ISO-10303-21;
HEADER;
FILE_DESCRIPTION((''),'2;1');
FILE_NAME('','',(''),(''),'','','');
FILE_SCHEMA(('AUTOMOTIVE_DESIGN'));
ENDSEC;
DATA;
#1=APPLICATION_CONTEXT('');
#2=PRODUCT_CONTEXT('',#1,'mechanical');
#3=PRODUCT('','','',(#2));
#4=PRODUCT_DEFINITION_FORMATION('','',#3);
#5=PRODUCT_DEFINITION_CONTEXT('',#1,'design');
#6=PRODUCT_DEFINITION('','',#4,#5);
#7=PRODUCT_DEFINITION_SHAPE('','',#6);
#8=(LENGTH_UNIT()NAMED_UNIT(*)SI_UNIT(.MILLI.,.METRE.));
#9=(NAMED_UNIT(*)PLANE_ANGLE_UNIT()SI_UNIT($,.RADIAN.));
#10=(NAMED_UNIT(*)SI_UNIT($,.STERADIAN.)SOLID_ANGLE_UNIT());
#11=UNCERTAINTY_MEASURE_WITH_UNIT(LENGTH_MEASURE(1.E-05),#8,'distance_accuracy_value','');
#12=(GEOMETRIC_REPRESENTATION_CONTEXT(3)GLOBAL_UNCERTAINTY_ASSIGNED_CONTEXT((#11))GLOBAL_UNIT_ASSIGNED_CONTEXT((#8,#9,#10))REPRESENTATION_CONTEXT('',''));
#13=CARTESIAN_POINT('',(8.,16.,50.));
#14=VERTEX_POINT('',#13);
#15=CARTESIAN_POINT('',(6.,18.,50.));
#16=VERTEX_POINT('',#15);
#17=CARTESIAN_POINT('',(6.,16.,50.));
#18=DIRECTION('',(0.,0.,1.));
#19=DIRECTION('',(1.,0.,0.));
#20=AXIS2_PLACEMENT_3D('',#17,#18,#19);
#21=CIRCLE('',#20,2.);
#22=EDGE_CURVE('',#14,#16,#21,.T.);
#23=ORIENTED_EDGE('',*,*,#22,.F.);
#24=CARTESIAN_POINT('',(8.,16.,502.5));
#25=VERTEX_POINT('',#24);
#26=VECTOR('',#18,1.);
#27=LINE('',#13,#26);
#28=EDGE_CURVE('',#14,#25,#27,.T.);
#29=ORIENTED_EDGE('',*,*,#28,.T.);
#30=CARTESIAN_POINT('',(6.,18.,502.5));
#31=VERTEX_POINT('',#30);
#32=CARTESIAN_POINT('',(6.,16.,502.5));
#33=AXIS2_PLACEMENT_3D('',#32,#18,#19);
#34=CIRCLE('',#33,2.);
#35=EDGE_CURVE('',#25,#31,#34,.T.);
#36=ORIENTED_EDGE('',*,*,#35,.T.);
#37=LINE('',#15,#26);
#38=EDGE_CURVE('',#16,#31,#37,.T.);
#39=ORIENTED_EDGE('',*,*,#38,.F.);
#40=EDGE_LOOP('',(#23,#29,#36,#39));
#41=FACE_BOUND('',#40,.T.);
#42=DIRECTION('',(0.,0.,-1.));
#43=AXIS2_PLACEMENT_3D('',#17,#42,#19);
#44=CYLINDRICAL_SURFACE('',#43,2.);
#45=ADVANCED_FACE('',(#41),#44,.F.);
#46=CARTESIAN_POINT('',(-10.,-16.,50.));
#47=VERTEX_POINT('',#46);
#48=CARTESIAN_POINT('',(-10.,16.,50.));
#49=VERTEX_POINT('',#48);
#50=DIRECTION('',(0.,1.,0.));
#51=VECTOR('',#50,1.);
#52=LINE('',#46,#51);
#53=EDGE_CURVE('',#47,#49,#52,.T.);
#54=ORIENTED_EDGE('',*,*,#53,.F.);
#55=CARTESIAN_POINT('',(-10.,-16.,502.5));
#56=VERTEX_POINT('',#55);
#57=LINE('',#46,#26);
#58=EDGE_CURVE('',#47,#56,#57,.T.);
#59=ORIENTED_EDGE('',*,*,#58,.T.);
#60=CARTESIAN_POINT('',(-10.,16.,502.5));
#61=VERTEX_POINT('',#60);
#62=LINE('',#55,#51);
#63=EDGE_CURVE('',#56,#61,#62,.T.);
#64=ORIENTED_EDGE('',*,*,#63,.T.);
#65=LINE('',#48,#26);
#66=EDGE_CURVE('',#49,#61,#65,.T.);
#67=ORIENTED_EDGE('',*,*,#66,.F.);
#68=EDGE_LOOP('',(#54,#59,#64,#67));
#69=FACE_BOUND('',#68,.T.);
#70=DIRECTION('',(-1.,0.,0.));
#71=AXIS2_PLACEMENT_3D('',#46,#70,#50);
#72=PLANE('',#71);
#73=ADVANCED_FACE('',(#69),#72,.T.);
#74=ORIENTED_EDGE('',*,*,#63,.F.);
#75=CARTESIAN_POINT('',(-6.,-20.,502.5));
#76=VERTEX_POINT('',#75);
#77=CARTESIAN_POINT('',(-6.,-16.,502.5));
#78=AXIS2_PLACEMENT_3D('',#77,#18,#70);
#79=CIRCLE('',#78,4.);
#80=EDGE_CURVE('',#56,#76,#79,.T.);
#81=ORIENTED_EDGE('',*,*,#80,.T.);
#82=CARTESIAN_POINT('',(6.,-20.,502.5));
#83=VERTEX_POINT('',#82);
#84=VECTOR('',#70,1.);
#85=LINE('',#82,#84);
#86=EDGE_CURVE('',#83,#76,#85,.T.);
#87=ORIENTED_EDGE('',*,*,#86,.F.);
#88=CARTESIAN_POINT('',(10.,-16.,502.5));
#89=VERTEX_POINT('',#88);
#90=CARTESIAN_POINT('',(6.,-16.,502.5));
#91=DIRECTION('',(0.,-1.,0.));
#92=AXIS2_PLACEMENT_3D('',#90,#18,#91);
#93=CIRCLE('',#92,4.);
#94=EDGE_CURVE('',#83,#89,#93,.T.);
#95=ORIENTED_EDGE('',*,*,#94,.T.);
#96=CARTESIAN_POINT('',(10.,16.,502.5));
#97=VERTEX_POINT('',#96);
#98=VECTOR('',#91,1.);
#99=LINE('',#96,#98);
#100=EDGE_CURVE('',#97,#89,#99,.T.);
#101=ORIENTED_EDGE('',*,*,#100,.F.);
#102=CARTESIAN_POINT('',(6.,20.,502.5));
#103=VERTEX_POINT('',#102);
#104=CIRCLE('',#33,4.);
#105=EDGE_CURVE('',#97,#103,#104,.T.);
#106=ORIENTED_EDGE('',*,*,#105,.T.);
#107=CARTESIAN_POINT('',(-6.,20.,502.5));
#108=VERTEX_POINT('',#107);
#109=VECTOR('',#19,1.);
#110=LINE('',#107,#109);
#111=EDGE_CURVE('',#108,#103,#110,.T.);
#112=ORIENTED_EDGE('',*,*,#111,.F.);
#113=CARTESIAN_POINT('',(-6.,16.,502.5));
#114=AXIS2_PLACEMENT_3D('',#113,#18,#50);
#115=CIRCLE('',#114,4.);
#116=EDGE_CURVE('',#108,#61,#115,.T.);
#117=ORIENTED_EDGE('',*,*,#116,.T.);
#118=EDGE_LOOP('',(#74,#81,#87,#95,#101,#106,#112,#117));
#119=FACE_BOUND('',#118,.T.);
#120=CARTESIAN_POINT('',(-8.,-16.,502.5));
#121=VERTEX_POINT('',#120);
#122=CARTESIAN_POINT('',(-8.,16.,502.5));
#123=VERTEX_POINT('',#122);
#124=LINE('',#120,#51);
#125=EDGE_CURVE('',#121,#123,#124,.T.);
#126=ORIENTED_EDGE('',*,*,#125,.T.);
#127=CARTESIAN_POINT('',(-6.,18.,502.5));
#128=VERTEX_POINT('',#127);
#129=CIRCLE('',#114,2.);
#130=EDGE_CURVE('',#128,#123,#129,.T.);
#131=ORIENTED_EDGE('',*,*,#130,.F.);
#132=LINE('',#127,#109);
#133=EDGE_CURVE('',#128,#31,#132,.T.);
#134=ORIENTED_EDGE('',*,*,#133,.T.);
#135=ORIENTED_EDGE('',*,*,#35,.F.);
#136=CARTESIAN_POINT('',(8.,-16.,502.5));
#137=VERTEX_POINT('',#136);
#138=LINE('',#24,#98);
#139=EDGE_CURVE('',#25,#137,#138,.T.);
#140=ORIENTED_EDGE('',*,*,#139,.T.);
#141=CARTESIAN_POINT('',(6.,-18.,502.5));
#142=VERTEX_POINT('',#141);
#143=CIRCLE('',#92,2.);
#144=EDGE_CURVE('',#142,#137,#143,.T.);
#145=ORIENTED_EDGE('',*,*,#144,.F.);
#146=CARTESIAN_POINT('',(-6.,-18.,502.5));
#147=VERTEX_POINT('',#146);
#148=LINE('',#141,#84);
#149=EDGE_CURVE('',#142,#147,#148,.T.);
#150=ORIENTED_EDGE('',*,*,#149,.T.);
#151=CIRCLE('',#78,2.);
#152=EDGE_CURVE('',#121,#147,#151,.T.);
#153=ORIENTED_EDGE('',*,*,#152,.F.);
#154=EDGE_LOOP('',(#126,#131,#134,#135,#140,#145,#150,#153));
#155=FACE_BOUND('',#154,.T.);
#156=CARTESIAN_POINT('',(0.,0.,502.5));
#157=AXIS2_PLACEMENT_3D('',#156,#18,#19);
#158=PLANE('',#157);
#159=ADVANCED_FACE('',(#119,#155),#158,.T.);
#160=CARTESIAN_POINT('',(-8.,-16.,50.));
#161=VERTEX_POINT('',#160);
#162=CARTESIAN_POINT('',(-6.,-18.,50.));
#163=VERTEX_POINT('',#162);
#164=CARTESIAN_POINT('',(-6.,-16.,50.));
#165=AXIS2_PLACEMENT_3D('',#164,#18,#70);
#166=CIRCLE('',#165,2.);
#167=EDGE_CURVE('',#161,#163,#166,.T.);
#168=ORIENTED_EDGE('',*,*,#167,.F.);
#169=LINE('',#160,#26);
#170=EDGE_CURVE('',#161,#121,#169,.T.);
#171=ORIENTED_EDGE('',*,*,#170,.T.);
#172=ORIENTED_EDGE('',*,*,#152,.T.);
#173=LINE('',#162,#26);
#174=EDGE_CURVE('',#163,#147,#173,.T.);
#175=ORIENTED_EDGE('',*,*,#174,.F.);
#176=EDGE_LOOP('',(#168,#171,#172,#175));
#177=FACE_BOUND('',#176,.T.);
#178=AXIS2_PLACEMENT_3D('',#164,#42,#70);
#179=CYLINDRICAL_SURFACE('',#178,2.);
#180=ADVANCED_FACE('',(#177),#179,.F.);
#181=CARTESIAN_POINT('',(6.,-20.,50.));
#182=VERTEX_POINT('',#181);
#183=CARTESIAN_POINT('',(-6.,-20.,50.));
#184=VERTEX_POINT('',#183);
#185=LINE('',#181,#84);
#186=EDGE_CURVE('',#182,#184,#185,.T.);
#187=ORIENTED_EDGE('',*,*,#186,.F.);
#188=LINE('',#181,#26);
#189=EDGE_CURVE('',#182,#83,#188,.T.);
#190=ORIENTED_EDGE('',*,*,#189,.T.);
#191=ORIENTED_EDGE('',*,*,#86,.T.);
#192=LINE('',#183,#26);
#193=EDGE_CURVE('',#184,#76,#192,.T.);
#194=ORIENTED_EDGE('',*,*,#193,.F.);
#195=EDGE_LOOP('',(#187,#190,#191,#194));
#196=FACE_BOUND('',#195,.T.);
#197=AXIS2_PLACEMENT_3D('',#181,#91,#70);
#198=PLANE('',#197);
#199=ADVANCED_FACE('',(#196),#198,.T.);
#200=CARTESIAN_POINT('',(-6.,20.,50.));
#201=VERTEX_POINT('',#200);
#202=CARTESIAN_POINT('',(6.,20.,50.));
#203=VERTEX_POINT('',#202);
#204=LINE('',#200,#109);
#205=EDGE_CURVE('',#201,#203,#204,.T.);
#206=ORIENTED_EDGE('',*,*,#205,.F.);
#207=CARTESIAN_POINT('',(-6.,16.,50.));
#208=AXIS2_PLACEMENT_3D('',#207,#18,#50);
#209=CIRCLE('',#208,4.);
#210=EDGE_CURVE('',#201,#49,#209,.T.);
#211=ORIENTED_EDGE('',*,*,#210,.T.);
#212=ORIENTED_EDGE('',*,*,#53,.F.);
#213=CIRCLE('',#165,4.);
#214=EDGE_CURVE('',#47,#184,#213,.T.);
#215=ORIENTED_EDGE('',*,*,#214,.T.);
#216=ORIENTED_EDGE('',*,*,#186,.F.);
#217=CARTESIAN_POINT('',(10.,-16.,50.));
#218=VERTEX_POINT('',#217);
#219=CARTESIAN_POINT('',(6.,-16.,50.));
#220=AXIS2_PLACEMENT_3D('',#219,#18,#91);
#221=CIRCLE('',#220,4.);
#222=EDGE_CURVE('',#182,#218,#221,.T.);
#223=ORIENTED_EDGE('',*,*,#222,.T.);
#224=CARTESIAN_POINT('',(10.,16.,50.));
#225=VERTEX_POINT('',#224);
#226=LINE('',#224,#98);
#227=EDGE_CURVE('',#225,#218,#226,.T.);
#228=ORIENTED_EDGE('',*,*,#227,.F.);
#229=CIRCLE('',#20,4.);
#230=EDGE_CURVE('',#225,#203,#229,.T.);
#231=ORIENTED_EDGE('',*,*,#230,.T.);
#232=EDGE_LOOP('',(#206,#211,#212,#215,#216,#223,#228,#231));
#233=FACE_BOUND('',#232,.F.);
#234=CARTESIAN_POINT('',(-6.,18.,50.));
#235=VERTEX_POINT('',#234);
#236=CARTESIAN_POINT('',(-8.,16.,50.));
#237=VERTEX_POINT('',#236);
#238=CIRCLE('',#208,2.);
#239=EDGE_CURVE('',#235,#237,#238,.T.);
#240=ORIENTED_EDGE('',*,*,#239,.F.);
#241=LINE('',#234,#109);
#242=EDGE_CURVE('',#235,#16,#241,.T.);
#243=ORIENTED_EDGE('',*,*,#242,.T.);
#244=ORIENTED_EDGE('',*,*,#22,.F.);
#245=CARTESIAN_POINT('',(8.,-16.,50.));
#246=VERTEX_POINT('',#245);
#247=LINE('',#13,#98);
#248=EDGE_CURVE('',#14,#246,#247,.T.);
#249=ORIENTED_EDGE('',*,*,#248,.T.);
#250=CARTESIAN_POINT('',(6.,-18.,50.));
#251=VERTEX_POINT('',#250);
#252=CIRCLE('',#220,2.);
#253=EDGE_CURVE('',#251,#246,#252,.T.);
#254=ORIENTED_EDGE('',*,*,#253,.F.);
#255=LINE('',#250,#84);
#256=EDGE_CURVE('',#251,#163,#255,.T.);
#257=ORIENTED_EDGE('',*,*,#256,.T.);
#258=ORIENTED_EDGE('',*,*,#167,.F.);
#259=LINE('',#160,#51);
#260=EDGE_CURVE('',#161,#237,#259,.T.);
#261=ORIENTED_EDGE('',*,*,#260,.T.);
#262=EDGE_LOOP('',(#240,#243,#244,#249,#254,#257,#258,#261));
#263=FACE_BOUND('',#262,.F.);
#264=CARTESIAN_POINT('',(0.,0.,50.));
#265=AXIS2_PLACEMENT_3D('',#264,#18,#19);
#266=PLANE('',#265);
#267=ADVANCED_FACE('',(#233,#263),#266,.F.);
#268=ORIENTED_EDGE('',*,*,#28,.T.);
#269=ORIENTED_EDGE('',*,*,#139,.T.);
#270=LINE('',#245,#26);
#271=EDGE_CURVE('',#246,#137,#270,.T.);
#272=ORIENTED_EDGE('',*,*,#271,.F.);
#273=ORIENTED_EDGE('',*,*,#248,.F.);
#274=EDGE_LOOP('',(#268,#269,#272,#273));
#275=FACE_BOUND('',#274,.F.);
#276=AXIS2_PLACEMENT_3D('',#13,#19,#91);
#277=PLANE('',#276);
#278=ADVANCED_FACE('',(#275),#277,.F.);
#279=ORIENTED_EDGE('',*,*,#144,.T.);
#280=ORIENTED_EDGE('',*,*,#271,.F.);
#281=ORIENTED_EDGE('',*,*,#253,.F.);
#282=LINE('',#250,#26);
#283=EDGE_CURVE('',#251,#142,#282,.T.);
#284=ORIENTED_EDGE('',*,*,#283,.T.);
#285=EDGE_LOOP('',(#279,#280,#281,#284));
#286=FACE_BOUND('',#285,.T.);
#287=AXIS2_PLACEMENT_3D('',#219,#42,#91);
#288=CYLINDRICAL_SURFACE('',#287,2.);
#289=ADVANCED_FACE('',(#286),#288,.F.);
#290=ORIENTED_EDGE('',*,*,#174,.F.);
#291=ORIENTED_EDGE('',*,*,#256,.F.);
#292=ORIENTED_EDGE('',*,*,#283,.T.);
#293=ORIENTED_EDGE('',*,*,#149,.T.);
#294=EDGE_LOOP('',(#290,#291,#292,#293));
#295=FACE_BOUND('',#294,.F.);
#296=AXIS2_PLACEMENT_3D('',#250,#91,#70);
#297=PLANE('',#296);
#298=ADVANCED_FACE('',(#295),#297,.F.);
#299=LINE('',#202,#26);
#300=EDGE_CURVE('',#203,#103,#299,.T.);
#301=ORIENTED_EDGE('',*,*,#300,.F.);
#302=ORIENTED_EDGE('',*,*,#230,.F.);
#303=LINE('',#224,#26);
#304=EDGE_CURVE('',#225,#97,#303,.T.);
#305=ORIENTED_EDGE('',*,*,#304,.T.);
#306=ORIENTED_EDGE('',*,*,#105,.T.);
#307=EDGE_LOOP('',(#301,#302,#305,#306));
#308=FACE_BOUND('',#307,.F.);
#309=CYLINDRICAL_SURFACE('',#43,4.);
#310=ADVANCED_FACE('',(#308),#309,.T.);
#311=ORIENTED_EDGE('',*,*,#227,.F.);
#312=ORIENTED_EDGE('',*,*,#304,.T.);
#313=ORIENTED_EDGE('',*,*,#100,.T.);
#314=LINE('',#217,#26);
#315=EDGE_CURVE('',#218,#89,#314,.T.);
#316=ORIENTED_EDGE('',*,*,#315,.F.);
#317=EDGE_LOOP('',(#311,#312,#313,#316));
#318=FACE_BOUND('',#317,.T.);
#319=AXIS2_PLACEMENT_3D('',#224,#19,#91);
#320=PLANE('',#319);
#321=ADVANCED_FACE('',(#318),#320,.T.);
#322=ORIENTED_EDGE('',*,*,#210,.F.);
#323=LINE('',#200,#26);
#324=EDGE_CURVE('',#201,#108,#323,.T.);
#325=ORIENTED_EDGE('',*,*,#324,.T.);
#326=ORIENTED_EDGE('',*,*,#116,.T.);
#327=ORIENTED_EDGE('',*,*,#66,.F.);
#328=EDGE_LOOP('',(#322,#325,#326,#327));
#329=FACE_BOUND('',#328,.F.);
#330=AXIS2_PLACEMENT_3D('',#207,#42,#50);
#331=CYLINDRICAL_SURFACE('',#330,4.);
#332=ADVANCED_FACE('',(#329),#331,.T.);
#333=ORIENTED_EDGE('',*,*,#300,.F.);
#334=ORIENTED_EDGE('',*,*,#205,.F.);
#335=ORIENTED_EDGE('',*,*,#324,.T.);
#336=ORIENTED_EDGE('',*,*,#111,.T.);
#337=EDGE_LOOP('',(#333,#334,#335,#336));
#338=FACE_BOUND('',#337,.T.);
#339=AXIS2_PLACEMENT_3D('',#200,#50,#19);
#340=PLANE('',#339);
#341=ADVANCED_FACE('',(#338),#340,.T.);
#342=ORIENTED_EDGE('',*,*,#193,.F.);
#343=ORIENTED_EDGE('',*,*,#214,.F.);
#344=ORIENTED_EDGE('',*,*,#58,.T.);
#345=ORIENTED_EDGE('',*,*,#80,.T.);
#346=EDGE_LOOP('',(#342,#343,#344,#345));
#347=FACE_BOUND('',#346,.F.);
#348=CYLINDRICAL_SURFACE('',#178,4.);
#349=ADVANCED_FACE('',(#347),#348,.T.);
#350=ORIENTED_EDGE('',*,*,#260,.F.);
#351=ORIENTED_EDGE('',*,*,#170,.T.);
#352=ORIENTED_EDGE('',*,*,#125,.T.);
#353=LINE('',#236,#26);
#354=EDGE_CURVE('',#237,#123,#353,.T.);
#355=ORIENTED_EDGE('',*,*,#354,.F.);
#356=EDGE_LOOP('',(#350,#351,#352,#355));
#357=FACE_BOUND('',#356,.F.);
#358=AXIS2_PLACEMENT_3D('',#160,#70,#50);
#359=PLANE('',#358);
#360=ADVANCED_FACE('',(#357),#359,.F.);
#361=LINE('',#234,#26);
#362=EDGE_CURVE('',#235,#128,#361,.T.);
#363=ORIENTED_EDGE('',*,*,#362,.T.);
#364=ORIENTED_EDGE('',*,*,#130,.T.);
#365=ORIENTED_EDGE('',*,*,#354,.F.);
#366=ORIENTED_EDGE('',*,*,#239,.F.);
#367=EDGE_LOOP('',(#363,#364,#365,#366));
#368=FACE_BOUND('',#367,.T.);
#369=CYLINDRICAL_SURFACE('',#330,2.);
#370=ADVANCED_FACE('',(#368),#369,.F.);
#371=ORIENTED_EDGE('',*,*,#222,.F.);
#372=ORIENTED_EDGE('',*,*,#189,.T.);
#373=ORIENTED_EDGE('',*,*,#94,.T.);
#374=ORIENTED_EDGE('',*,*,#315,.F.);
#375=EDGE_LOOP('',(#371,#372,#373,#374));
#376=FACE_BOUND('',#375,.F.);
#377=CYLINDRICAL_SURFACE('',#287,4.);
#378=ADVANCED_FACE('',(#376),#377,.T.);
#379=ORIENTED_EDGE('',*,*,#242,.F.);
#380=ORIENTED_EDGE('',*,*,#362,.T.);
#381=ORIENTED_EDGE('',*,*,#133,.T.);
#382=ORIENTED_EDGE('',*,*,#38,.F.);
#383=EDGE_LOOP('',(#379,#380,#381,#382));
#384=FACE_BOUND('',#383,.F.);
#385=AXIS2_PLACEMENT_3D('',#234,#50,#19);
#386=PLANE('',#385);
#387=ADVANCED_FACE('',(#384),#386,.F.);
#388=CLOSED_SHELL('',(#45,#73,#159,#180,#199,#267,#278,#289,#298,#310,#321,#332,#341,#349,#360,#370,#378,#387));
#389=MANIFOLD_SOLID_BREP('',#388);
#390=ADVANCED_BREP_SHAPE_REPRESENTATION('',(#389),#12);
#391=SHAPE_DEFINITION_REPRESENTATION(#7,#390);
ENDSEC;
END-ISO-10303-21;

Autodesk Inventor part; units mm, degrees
ref_plane "Plano inicial" through (0, 0, 50) normal (0, 0, 1) x (1, 0, 0)
ref_plane "Plano final" through (0, 0, 502.5) normal (0, 0, 1) x (1, 0, 0)
sketch "Boceto" plane through (0, 0, 0) normal (0, 0, 1) x (1, 0, 0)
  line L0 (-10, -16) -> (-10, 16)
  line L1 (-6, 20) -> (6, 20)
  line L2 (10, 16) -> (10, -16)
  line L3 (6, -20) -> (-6, -20)
  arc A0 (-10, -16) -> (-6, -20) centre (-6, -16) ccw
  arc A1 (10, 16) -> (6, 20) centre (6, 16) ccw
  arc A2 (-6, 20) -> (-10, 16) centre (-6, 16) ccw
  arc A3 (6, -20) -> (10, -16) centre (6, -16) ccw
  arc A4 (-6, 18) -> (-8, 16) centre (-6, 16) ccw
  line L4 (-6, 18) -> (6, 18)
  arc A5 (8, 16) -> (6, 18) centre (6, 16) ccw
  line L5 (8, 16) -> (8, -16)
  arc A6 (6, -18) -> (8, -16) centre (6, -16) ccw
  line L6 (6, -18) -> (-6, -18)
  arc A7 (-8, -16) -> (-6, -18) centre (-6, -16) ccw
  line L7 (-8, -16) -> (-8, 16)
  line L8 (0, 29.1598) -> (0, -29.1598) construction
  line L9 (-15.1598, 0) -> (15.1598, 0) construction
  dimension "d7" = 4
  dimension "d9" = 20
  dimension "d11" = 40
  dimension "d12" = 2
  dimension "d15" = 10
  dimension "d16" = 20
extrude "Cuerpo" add sketch "Boceto" along normal up to surface (452.5 mm away) from surface at 50
sketch "Sketch3" plane through (0, 0, 0) normal (0, 0, 1) x (1, 0, 0)
  line L0 (0, 0) -> (10, 0)
ref_plane "Work Plane3" through (0, 0, 0) normal (0, -1, 0) x (1, 0, 0)
sketch "Sketch4" plane through (0, 0, 0) normal (0, -1, 0) x (1, 0, 0)
  line L0 (-2, 50) -> (12, 50)
  line L1 (-2, 502.5) -> (12, 502.5)
  dimension "d18" = 452.5
ref_plane "Plano de trabajo4" through (-11.25, -155, 502.5) normal (0, 0, 1) x (1, 0, 0)
split "Dividir1" plane through (-11.25, -155, 502.5) removes the side toward (0, 0, 1)
ref_plane "Plano de trabajo5" through (6.25, 20, 50) normal (0, 0, -1) x (-1, 0, 0)
split "Dividir2" plane through (6.25, 20, 50) removes the side toward (0, 0, -1)
equation "\"d7\" = G_IR"
equation "\"d9\" = G_W"
equation "\"d11\" = G_H"
equation "\"d12\" = G_T"
equation "\"d15\" = 0.5 * d9"
equation "\"d16\" = 0.5 * d11"
equation "\"d3\" = G_L"
equation "\"G_W\" = 20"
equation "\"G_H\" = 40"
equation "\"G_T\" = 2"
equation "\"G_IR\" = 4"
equation "\"G_L\" = d18"
equation "\"G_OFFSET_END\" = -47.5"
equation "\"d14\" = G_OFFSET_END + B_L"
equation "\"B_L\" = 550"
properties part number "ISO 4019 - 40x20x2 - 452,5" material "Acero, suave"
